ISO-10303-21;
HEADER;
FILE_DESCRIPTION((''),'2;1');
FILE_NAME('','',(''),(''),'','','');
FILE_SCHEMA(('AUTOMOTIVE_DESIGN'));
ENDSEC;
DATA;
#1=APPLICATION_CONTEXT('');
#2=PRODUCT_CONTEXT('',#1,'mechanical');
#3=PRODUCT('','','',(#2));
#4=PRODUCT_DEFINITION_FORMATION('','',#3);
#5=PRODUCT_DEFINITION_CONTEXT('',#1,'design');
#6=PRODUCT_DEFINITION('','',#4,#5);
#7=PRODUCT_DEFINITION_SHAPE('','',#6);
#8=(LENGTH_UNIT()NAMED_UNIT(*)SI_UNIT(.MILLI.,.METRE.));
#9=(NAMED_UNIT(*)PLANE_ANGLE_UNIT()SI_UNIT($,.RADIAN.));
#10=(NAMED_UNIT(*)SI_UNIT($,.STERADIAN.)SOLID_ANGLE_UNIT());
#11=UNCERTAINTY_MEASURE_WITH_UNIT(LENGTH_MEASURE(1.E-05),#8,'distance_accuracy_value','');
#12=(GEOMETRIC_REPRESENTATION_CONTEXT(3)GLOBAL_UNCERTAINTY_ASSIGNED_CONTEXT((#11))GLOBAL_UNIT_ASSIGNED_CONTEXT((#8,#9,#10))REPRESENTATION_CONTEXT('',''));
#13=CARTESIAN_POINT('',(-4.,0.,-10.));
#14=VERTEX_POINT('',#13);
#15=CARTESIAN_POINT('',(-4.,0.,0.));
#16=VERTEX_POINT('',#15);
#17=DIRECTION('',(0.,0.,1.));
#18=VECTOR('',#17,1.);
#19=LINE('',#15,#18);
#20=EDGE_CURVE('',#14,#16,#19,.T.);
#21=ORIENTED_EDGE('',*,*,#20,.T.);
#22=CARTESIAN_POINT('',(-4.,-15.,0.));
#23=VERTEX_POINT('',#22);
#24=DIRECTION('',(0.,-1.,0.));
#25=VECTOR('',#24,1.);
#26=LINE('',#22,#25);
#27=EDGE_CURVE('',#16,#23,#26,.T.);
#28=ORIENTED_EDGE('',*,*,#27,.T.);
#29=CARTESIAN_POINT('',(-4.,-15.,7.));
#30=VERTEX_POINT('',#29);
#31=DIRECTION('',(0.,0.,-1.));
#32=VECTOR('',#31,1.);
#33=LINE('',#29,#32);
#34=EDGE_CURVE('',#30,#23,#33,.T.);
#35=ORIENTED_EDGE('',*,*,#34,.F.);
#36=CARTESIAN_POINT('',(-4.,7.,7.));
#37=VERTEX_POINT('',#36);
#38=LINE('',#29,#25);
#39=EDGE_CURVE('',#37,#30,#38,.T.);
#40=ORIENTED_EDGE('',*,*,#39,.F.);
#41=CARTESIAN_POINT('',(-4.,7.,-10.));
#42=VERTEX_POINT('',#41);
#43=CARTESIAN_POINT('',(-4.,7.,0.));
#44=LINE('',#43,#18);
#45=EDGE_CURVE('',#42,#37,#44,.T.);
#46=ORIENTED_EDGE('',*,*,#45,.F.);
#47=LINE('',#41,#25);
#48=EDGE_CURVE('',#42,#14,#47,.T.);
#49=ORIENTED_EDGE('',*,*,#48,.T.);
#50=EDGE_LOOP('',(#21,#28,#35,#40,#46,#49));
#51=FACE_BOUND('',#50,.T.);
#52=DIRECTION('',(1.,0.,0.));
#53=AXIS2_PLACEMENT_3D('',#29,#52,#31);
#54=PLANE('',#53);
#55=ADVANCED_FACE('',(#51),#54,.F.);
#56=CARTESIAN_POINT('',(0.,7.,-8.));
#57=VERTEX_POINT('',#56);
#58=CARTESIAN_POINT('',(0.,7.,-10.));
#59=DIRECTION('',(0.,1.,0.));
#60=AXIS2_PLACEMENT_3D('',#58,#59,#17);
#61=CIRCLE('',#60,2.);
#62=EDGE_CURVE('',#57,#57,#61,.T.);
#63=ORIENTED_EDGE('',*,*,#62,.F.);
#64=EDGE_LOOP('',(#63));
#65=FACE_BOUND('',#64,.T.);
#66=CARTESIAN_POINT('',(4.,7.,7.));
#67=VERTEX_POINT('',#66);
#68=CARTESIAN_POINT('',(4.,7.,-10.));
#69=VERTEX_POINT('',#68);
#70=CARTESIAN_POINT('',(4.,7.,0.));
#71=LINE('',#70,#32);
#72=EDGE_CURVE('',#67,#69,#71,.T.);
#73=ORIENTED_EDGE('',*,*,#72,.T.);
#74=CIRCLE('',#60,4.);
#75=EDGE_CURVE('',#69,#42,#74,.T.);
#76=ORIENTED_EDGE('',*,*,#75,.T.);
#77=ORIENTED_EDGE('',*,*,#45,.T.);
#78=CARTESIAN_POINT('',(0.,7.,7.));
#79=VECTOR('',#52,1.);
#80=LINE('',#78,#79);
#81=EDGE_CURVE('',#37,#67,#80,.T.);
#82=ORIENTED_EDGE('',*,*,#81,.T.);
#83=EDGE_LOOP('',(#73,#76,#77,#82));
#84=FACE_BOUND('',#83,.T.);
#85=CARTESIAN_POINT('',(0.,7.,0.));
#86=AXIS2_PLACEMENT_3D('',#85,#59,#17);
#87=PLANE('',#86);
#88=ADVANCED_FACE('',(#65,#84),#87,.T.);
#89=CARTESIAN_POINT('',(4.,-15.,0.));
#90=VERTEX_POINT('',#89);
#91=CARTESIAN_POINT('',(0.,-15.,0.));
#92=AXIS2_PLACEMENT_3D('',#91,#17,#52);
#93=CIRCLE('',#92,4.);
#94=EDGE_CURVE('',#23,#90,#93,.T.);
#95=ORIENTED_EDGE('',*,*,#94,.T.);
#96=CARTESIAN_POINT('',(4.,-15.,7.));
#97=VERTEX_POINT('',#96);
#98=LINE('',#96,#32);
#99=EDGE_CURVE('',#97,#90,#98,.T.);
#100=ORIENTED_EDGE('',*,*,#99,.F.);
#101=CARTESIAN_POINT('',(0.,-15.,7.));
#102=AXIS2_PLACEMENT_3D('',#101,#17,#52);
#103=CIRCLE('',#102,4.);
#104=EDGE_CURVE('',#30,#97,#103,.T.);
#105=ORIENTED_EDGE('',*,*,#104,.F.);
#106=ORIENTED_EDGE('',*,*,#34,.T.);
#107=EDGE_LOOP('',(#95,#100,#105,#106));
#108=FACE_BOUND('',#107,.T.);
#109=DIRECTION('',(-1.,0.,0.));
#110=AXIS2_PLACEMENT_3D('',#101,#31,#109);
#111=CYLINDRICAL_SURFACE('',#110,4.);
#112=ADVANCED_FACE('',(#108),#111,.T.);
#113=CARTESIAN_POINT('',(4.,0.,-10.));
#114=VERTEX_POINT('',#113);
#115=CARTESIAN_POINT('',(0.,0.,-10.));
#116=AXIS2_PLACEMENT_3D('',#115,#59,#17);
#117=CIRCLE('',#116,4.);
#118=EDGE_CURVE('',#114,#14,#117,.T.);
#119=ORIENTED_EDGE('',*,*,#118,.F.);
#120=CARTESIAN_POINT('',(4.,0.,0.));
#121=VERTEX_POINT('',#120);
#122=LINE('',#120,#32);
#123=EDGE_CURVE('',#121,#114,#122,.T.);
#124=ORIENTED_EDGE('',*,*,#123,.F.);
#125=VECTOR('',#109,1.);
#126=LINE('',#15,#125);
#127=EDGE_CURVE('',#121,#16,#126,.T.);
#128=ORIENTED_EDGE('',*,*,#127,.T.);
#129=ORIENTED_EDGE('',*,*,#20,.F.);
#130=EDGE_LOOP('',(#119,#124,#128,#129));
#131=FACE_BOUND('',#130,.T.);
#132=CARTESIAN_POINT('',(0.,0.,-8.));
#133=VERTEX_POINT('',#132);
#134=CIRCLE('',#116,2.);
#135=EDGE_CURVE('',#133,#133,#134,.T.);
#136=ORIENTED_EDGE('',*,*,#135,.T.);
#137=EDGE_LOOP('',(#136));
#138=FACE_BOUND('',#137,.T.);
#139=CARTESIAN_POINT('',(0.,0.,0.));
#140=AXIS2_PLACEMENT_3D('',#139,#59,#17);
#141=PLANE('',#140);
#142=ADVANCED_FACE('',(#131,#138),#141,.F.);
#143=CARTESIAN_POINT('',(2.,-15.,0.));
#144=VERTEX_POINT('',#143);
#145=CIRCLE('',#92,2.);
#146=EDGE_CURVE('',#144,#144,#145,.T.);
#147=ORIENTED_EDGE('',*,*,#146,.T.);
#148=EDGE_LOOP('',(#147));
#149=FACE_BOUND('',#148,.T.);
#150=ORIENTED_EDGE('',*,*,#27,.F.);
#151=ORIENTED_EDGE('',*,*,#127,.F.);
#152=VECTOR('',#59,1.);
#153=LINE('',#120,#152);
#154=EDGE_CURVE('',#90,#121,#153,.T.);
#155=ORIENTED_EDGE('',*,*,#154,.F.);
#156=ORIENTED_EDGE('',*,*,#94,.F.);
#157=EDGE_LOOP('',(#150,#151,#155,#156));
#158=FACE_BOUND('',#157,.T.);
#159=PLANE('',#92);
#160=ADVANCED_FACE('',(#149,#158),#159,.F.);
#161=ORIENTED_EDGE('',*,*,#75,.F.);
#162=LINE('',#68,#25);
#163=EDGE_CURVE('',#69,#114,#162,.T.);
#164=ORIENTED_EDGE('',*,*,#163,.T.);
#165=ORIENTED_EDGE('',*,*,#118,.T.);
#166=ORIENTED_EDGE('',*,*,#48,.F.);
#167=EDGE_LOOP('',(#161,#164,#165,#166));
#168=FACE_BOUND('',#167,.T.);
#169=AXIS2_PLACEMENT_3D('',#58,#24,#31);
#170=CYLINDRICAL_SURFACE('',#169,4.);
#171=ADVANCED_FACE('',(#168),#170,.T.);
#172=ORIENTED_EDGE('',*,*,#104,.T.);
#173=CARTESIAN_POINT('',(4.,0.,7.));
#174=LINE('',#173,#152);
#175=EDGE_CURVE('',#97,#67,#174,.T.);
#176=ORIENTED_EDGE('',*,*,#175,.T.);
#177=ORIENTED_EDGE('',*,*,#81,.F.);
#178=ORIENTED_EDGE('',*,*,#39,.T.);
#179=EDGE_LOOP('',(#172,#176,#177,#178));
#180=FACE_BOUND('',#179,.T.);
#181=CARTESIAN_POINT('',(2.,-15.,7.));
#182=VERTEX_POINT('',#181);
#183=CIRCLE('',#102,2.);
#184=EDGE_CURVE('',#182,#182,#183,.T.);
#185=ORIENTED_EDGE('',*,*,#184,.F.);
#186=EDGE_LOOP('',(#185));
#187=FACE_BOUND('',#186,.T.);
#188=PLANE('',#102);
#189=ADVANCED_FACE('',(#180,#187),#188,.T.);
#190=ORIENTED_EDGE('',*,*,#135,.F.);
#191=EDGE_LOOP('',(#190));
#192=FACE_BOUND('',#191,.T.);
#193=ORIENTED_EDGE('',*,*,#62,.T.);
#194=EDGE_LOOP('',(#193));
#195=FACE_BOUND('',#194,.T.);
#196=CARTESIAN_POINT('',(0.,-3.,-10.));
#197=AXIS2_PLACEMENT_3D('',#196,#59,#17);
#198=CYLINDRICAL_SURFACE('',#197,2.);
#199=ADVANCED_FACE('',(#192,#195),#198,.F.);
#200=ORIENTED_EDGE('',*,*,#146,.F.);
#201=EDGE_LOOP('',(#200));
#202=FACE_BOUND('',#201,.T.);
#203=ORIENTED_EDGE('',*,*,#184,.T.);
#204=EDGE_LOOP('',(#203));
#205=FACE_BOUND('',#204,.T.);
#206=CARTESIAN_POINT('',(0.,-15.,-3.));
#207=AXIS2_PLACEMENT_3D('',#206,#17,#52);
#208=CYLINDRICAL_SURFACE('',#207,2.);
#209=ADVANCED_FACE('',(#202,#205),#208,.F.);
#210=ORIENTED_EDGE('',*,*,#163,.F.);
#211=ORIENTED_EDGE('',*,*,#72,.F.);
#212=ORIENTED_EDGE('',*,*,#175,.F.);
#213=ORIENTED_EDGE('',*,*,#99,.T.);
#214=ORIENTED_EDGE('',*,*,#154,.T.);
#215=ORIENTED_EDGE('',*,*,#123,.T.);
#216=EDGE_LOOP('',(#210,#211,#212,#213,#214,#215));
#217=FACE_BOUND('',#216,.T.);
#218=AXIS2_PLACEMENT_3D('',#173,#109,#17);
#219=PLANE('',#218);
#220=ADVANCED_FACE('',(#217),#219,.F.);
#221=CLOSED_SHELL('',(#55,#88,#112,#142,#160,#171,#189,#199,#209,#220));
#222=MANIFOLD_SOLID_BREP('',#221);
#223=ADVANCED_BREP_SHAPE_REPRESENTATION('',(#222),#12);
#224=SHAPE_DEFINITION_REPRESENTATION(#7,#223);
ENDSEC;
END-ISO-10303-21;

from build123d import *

# Parameters (mm, degrees)
SKETCH2_R           = 1.5
BOSS_EXTRUDE1_DEPTH = 7
SKETCH3_R           = 1.5
BOSS_EXTRUDE2_DEPTH = 7
SKETCH4_R           = 2
CUT_EXTRUDE1_DEPTH  = 10
SKETCH5_R           = 2
CUT_EXTRUDE2_DEPTH  = 10


with BuildPart() as part:
    # Sketch2 → Boss-Extrude1 (new body)
    with BuildSketch(Plane.XY):
        with BuildLine():
            Line((-4, -15), (-4, 0))
            Line((-4, 0), (4, 0))
            Line((4, 0), (4, -15))
            ThreePointArc((4, -15), (0, -19), (-4, -15))
        make_face()
        with Locations((0, -15)):
            Circle(SKETCH2_R, mode=Mode.SUBTRACT)
    extrude(amount=BOSS_EXTRUDE1_DEPTH)

    # Sketch3 → Boss-Extrude2 (add)
    with BuildSketch(Plane(origin=(0, 0, 0), x_dir=(1, 0, 0), z_dir=(0, 1, 0))):
        with BuildLine():
            Line((-4, 10), (-4, -7))
            Line((-4, -7), (4, -7))
            Line((4, -7), (4, 10))
            ThreePointArc((4, 10), (0, 14), (-4, 10))
        make_face()
        with Locations((0, 10)):
            Circle(SKETCH3_R, mode=Mode.SUBTRACT)
    extrude(amount=BOSS_EXTRUDE2_DEPTH)

    # Sketch4 → Cut-Extrude1 (cut)
    with BuildSketch(Plane(origin=(0, 7, 0), x_dir=(1, 0, 0), z_dir=(0, 1, 0))):
        with Locations((0, 10)):
            Circle(SKETCH4_R)
    extrude(amount=-CUT_EXTRUDE1_DEPTH, mode=Mode.SUBTRACT)

    # Sketch5 → Cut-Extrude2 (cut)
    with BuildSketch(Plane.XY.offset(7)):
        with Locations((0, -15)):
            Circle(SKETCH5_R)
    extrude(amount=-CUT_EXTRUDE2_DEPTH, mode=Mode.SUBTRACT)


solid = part.part
